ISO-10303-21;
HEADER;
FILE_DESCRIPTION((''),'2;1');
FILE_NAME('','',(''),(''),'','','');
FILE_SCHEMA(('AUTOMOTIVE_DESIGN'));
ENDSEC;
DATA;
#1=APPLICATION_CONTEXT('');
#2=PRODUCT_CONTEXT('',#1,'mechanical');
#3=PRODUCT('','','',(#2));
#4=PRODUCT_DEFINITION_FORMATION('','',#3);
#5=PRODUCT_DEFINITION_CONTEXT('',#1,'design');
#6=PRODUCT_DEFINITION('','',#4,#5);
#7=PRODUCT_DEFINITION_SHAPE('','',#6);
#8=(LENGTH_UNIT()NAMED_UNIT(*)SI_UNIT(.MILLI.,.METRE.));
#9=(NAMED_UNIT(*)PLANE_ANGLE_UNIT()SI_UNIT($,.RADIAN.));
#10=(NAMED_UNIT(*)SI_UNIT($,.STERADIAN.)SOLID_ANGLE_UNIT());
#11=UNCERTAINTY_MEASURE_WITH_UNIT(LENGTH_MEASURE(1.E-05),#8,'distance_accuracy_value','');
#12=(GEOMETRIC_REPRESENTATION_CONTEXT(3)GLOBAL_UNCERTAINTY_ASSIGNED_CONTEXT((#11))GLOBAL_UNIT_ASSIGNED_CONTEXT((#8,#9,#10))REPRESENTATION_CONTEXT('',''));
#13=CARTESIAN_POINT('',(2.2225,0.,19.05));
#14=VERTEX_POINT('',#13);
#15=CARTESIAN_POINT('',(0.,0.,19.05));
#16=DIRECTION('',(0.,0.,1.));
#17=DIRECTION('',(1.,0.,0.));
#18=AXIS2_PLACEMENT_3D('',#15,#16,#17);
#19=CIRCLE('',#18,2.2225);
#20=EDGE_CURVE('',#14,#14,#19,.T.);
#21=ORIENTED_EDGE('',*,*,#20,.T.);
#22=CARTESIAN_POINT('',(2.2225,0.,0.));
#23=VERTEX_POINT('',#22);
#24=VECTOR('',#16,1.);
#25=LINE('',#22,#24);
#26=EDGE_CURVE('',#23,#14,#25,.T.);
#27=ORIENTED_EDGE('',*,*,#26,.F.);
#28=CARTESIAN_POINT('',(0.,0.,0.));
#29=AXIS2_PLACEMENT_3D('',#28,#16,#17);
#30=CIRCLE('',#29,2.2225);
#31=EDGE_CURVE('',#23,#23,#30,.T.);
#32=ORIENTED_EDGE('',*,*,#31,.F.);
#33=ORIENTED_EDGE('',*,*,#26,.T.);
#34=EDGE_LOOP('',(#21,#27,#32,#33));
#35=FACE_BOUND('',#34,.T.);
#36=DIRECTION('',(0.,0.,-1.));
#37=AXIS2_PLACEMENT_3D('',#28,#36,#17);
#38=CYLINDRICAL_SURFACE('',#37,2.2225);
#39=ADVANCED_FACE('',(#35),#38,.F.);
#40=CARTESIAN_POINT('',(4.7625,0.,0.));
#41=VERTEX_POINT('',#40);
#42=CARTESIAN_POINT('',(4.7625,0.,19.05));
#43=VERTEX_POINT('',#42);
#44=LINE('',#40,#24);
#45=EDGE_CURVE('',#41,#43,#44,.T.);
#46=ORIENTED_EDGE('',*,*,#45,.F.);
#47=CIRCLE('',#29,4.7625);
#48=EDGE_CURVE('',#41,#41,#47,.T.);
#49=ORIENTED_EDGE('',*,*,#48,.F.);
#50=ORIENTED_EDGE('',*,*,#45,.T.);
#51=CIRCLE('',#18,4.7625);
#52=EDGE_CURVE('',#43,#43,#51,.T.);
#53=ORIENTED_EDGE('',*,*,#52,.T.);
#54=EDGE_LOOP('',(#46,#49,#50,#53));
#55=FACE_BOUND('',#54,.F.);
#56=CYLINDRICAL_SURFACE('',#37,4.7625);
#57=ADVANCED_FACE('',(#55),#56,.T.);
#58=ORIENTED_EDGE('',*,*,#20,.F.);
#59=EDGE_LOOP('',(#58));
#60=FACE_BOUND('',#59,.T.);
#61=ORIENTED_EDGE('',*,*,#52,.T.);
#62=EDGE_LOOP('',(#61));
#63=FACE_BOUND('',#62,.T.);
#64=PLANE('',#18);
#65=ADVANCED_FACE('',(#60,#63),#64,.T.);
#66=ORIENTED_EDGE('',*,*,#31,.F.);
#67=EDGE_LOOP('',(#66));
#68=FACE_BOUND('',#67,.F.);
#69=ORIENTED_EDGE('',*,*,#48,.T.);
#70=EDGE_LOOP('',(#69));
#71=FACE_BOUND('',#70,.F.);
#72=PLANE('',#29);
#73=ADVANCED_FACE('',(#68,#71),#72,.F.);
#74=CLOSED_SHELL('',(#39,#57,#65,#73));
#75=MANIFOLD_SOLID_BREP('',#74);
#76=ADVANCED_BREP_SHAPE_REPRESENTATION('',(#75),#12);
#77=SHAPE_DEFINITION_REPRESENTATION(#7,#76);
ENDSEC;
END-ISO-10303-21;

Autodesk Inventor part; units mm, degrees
ref_plane "YZ Plane" through (0, 0, 0) normal (1, 0, 0) x (0, 1, 0)
ref_plane "XZ Plane" through (0, 0, 0) normal (0, 1, 0) x (-1, 0, 0)
ref_plane "XY Plane" through (0, 0, 0) normal (0, 0, 1) x (1, 0, 0)
sketch "Sketch1" plane through (0, 0, 0) normal (0, 0, 1) x (1, 0, 0)
  circle A0 centre (0, 0) radius 2.2225
  circle A1 centre (0, 0) radius 4.7625
  dimension "d0" = 4.445
  dimension "d1" = 2.54
extrude "Extrusion1" add sketch "Sketch1" along normal blind 19.05
